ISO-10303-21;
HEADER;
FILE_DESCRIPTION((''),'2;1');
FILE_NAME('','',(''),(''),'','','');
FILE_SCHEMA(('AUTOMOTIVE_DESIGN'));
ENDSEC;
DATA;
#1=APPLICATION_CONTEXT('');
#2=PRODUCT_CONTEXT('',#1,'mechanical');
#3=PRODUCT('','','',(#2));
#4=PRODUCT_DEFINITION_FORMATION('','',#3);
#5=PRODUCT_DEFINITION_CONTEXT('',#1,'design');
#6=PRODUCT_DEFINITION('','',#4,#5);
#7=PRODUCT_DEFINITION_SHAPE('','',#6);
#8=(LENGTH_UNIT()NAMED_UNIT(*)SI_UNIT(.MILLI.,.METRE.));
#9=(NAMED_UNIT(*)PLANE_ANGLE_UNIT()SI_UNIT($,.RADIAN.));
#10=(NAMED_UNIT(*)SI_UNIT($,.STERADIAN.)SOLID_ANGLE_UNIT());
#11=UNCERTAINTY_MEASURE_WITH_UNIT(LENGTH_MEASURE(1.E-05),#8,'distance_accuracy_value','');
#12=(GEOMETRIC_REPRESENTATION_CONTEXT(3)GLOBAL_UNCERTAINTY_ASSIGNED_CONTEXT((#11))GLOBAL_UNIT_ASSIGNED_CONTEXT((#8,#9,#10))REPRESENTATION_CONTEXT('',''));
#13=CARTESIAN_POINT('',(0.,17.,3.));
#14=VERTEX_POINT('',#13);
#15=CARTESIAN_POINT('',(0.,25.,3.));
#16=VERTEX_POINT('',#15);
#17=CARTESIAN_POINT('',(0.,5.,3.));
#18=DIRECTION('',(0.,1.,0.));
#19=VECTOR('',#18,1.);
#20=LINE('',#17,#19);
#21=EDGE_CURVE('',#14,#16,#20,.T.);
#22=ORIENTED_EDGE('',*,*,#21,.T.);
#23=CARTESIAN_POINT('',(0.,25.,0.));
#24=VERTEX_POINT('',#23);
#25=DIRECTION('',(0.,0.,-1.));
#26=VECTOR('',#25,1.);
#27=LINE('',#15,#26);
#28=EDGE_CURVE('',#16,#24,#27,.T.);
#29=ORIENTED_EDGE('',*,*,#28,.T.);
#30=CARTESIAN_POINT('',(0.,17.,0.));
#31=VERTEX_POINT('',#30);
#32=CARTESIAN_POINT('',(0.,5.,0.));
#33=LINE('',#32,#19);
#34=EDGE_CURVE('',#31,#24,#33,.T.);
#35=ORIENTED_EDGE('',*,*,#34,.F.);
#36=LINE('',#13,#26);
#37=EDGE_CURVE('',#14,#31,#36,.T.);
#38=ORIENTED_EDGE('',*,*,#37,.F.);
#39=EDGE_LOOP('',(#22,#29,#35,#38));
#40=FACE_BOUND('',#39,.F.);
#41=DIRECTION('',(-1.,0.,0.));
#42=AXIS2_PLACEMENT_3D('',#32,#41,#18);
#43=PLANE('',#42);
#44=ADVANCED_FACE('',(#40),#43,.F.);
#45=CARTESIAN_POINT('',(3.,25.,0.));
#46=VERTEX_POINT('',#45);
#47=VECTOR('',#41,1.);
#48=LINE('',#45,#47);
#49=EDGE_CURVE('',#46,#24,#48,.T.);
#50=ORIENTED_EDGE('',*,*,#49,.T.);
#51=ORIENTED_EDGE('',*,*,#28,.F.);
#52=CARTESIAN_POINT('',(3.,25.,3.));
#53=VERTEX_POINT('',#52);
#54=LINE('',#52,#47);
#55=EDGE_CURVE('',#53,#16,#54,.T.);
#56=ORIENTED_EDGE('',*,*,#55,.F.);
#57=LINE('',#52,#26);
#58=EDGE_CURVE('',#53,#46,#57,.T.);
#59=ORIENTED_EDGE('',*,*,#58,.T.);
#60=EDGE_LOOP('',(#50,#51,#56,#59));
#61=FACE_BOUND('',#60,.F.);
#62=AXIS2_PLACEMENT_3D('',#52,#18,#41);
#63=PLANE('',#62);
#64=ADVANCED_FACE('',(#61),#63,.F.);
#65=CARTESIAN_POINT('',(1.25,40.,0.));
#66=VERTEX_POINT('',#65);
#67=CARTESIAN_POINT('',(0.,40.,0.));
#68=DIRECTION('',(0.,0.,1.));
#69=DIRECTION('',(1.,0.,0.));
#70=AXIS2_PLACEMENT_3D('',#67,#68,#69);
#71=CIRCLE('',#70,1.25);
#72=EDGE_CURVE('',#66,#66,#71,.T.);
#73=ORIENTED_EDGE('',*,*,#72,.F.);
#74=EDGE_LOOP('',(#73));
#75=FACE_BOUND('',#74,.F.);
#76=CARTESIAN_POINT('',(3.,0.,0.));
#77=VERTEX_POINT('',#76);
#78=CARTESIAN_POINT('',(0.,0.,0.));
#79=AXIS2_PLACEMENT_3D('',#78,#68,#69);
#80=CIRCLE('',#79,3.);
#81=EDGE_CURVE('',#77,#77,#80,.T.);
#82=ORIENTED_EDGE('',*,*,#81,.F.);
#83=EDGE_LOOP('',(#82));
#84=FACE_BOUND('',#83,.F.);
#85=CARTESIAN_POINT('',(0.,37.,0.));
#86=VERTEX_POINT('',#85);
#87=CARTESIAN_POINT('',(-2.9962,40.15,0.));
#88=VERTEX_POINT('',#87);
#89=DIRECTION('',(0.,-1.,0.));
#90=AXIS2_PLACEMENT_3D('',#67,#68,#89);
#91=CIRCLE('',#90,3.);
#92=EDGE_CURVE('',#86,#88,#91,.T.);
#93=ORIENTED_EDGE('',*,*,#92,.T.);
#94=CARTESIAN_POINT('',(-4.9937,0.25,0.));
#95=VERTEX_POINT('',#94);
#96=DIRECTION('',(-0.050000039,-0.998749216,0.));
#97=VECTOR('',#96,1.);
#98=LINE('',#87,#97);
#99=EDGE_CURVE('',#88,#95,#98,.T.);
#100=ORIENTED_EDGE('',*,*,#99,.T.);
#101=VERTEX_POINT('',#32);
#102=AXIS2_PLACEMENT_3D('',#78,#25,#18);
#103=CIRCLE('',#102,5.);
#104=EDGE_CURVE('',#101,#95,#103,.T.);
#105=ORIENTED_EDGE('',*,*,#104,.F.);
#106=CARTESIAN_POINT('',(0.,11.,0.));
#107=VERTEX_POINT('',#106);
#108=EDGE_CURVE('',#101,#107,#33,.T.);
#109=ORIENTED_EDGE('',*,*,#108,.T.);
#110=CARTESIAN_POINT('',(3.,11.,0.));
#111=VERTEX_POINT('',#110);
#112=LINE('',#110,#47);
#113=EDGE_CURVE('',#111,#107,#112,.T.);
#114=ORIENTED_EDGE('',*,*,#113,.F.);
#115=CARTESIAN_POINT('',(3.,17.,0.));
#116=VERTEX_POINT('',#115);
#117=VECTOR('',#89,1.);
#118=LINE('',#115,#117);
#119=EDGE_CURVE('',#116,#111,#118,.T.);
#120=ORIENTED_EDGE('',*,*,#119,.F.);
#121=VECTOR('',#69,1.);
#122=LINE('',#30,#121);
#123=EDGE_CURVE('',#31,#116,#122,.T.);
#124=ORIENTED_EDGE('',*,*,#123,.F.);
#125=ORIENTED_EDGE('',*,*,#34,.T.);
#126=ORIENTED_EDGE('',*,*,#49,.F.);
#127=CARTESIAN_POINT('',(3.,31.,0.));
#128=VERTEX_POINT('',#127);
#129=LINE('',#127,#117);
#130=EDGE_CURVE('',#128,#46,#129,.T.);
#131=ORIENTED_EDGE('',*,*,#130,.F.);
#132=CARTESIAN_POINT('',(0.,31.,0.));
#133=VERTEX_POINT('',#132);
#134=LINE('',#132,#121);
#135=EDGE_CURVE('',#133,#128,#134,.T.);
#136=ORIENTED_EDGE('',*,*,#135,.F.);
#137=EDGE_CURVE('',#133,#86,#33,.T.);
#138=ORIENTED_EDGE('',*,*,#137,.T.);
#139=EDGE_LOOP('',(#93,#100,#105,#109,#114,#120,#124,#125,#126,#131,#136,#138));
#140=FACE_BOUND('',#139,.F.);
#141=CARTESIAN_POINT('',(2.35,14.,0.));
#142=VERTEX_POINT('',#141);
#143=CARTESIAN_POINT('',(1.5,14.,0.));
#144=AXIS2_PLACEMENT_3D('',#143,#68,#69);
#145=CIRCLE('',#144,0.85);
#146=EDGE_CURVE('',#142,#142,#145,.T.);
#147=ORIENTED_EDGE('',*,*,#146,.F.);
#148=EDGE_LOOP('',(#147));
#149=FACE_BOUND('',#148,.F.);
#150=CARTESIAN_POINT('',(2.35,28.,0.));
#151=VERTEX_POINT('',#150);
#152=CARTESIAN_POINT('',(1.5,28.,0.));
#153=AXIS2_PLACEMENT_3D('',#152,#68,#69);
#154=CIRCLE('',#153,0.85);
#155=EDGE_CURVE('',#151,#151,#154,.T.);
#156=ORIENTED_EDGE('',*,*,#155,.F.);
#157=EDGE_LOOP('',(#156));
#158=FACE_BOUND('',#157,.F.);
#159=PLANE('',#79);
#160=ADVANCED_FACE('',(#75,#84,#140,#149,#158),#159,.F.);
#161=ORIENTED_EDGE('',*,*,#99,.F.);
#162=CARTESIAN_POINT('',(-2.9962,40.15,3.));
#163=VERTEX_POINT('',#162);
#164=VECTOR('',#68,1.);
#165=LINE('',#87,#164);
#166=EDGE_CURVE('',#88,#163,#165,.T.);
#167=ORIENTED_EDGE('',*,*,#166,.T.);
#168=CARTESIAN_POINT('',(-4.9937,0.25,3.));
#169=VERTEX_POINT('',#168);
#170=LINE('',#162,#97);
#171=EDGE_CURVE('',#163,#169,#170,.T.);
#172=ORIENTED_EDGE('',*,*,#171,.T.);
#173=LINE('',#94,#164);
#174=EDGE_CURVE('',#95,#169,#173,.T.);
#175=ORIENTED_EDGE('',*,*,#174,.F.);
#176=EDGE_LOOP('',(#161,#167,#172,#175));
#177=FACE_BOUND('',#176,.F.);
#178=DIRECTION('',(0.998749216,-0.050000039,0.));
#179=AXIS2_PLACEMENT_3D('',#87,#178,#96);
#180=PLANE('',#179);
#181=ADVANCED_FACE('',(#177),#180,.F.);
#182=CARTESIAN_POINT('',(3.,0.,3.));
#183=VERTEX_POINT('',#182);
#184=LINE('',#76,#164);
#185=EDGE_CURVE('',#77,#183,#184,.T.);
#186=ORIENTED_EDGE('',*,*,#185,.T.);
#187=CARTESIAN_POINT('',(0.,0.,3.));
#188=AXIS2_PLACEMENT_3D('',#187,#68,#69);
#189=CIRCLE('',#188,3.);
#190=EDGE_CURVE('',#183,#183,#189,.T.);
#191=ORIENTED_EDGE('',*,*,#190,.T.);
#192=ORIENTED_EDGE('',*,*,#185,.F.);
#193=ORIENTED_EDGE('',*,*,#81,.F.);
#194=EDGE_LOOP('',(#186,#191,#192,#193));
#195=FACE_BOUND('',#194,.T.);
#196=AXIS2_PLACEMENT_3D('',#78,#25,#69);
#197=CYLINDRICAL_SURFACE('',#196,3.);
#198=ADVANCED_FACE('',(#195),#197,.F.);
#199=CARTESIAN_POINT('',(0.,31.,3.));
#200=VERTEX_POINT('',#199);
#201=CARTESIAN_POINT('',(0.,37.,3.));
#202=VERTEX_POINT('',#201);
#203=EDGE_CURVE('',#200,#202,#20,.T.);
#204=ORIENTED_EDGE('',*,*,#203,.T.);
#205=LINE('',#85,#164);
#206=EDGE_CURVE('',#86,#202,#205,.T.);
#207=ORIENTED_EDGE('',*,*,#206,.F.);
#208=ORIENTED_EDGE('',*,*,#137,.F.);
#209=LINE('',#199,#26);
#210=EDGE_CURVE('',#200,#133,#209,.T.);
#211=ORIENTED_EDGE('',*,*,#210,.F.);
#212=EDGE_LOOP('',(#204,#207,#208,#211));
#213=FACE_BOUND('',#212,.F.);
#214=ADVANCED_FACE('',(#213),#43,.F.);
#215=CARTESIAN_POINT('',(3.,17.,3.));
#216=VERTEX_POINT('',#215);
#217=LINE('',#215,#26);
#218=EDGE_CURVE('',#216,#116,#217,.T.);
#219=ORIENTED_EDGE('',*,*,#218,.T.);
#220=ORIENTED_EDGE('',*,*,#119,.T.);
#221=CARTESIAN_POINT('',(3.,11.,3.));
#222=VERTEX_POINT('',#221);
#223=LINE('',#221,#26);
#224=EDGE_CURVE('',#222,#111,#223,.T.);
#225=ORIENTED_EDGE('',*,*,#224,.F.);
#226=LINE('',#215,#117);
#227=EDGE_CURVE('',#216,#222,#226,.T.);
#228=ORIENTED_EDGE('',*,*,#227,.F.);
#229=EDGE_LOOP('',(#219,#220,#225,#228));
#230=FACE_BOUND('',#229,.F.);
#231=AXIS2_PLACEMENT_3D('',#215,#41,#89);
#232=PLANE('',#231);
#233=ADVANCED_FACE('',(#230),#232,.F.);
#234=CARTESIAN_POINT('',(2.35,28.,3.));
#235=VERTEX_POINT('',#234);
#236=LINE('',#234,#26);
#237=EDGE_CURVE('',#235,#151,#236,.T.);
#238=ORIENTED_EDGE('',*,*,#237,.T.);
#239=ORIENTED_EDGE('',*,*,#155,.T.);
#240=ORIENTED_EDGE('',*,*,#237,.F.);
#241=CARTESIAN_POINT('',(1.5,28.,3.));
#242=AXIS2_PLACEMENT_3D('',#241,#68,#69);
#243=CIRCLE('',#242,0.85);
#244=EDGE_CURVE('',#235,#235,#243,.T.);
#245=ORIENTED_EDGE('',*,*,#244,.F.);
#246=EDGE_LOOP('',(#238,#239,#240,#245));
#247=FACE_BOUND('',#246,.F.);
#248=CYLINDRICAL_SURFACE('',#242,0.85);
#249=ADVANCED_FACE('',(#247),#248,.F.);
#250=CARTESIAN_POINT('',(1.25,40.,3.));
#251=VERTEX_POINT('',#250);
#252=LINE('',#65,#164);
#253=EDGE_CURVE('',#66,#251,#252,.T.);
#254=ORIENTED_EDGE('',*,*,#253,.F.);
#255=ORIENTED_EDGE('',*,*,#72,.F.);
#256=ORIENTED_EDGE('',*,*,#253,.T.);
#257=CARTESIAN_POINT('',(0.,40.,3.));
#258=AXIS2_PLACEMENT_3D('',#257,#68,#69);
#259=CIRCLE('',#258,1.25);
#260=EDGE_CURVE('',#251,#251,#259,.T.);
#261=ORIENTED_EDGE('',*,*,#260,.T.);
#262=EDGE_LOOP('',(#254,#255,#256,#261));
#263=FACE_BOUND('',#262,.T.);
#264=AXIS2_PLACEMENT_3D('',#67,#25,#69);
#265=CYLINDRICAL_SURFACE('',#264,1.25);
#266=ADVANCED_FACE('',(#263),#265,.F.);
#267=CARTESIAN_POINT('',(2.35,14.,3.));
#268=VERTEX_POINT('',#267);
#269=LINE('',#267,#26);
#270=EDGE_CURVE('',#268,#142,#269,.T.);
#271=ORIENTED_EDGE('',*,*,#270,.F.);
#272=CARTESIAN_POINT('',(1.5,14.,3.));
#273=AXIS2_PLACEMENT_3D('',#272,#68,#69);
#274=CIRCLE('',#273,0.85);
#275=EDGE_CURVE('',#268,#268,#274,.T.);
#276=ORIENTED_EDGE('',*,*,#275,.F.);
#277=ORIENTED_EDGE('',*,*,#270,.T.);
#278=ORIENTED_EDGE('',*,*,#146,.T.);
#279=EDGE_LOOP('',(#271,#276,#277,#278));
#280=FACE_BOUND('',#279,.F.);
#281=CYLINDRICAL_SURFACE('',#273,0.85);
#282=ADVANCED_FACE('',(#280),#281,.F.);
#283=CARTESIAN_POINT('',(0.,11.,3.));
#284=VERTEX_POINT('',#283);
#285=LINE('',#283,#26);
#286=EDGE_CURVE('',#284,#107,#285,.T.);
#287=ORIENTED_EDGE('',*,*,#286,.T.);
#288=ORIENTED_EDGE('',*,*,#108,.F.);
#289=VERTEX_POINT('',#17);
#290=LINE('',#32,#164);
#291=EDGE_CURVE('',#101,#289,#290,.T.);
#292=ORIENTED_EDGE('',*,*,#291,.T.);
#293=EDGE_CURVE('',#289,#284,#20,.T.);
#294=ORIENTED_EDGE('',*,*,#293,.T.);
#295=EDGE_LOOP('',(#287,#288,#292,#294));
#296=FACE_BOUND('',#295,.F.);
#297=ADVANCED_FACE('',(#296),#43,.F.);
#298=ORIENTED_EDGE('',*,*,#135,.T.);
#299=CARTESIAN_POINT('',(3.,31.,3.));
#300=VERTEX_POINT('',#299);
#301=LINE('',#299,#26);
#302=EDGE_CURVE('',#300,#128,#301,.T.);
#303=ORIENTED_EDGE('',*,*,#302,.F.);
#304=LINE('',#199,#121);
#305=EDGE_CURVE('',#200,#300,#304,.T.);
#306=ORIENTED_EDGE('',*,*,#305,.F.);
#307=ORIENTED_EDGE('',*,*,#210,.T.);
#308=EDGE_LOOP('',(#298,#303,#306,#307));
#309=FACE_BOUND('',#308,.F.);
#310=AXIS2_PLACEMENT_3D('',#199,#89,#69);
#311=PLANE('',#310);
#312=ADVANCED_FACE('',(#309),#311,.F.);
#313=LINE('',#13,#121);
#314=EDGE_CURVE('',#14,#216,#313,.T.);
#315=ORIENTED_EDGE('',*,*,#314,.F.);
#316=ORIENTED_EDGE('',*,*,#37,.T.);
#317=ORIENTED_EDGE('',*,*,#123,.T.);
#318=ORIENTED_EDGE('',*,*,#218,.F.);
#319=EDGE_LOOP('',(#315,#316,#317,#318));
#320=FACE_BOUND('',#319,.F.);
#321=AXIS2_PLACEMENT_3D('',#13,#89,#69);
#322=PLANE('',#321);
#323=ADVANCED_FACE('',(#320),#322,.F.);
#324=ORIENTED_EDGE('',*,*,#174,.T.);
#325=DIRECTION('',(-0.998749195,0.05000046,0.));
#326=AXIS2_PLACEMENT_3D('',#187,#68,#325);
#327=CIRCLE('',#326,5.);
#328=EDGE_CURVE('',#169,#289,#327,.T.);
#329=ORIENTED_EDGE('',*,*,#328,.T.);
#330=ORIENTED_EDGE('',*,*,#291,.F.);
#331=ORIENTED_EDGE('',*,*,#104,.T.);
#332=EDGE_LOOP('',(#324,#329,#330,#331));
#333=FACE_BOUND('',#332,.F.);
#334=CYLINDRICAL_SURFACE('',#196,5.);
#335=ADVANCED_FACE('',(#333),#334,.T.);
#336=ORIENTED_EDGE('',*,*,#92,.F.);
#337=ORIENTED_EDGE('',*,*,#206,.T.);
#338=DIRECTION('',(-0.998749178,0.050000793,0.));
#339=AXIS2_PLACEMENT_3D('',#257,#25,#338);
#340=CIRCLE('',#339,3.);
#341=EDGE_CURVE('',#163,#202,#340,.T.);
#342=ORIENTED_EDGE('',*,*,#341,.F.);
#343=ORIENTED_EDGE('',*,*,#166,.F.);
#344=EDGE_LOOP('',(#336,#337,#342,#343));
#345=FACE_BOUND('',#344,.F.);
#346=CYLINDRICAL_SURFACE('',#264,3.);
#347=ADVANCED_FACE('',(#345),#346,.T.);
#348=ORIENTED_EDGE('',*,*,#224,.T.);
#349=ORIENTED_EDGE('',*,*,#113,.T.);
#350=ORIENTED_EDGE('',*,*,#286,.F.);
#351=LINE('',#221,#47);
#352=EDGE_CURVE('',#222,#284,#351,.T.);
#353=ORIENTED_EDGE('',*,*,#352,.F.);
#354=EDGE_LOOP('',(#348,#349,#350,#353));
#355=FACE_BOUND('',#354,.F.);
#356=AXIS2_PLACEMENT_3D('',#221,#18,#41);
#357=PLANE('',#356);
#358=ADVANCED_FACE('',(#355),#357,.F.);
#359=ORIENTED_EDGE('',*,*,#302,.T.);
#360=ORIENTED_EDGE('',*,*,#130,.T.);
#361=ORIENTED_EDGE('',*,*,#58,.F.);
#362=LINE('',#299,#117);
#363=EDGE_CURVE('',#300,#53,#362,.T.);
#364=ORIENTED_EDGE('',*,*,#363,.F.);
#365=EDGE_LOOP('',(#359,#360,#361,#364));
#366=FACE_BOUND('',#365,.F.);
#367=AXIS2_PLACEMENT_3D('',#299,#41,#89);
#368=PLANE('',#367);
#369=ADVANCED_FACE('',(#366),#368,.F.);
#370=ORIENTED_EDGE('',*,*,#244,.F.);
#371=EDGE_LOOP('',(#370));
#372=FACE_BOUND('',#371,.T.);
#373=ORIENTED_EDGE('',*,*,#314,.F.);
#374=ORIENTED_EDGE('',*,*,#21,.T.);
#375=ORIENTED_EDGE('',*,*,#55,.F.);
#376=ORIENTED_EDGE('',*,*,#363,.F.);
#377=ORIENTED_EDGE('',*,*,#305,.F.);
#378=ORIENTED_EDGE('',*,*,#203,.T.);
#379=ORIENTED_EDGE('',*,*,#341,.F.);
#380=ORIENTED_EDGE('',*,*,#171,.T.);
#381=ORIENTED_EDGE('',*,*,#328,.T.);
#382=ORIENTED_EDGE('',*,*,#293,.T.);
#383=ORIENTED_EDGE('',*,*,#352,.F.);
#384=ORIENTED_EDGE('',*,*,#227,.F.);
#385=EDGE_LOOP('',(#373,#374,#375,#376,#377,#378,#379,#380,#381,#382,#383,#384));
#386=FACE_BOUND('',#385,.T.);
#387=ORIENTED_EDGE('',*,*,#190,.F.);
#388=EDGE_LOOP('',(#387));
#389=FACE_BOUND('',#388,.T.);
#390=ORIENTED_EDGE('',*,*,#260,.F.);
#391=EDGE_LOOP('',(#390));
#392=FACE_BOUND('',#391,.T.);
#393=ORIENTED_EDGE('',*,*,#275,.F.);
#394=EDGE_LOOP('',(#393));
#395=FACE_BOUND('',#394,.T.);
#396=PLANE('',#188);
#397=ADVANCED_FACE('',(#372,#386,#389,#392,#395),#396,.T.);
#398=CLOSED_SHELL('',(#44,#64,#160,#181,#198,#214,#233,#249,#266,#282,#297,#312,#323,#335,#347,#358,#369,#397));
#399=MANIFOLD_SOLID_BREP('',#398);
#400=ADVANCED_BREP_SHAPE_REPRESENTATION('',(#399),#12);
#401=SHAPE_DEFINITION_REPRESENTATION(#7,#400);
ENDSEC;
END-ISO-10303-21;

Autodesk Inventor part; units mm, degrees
ref_plane "YZ Plane" through (0, 0, 0) normal (1, 0, 0) x (0, 1, 0)
ref_plane "XZ Plane" through (0, 0, 0) normal (0, 1, 0) x (-1, 0, 0)
ref_plane "XY Plane" through (0, 0, 0) normal (0, 0, 1) x (1, 0, 0)
sketch "スケッチ1" plane through (0, 0, 0) normal (0, 0, 1) x (1, 0, 0)
  circle A0 centre (0, 0) radius 3
  circle A1 centre (0, 40) radius 1.25
  circle A2 centre (0, 40) radius 3
  circle A3 centre (0, 0) radius 5
  line L0 (0, 5) -> (0, 37)
  line L1 (-2.9962, 40.15) -> (-4.9937, 0.25)
  dimension "d0" = 6
  dimension "d1" = 2.5
  dimension "d2" = 40
  dimension "d3" = 6
  dimension "d4" = 10
extrude "押し出し1" add sketch "スケッチ1" along normal blind 3
sketch "スケッチ2" plane through (0, 0, 3) normal (0, 0, 1) x (1, 0, 0)
  circle A0 centre (0, 0) radius 3 projected
  circle A1 centre (0, 40) radius 1.25 projected
  arc A2 (0, 37) -> (-2.9962, 40.15) centre (0, 40) ccw projected
  line L0 (-2.9962, 40.15) -> (-4.9937, 0.25) projected
  arc A3 (-4.9937, 0.25) -> (0, 5) centre (0, 0) ccw projected
  line L1 (0, 5) -> (0, 37) projected
  circle A4 centre (0, 0) radius 3
  circle A5 centre (-32.1289, 23.8272) radius 1.25
  line L2 (-4.0161, 2.9784) -> (-4.827, 3.5798)
  arc A6 (-30.4645, 26.3232) -> (-29.7192, 22.0402) centre (-32.1289, 23.8272) ccw
  line L3 (-4.5534, 9.0458) -> (2.7739, 4.16)
  arc A7 (-4.0161, 2.9784) -> (2.7739, 4.16) centre (0, 0) ccw
extrude "押し出し2" [suppressed]
sketch "スケッチ4" plane through (0, 0, 3) normal (0, 0, 1) x (1, 0, 0)
  line L0 (-4.9937, 0.25) -> (-2.9962, 40.15) projected
  arc A0 (0, 37) -> (-2.9962, 40.15) centre (0, 40) ccw projected
  line L1 (0, 37) -> (0, 5) projected
  circle A1 centre (0, 40) radius 1.25 projected
  circle A2 centre (-27.9404, 11.376) radius 3
  circle A3 centre (0, 40) radius 1.25
  line L2 (-3.1661, 36.7564) -> (-2.0955, 37.8532)
  arc A4 (2.2489, 38.0144) -> (-2.0955, 37.8532) centre (0, 40) ccw
  line L3 (2.2489, 38.0144) -> (-3.4249, 31.5882)
  arc A5 (-24.4479, 14.954) -> (-24.1923, 8.0667) centre (-27.9404, 11.376) ccw
  circle A6 centre (0, 0) radius 3 projected
  arc A7 (-4.9937, 0.25) -> (0, 5) centre (0, 0) ccw projected
extrude "押し出し3" [suppressed]
sketch "スケッチ5" plane through (0, 0, 3) normal (0, 0, 1) x (1, 0, 0)
  circle A0 centre (0, 0) radius 3 projected
  circle A1 centre (0, 40) radius 1.25 projected
  arc A2 (0, 37) -> (-2.9962, 40.15) centre (0, 40) ccw projected
  line L0 (-2.9962, 40.15) -> (-4.9937, 0.25) projected
  arc A3 (-4.9937, 0.25) -> (0, 5) centre (0, 0) ccw projected
  line L1 (0, 5) -> (0, 37) projected
  line L2 (0, 31) -> (3, 31)
  line L3 (3, 31) -> (3, 25)
  line L4 (3, 25) -> (0, 25)
  line L5 (0, 17) -> (3, 17)
  line L6 (3, 17) -> (3, 11)
  line L7 (3, 11) -> (0, 11)
  circle A4 centre (1.5, 14) radius 0.85
  circle A5 centre (1.5, 28) radius 0.85
  point P0 (1.5, 31)
  point P1 (1.5, 17)
  point P2 (3, 28)
  point P3 (3, 14)
  dimension "d12" = 6
  dimension "d13" = 3
  dimension "d14" = 8
  dimension "d15" = 6
  dimension "d16" = 6
  dimension "d19" = 1.7
extrude "押し出し4" add sketch "スケッチ5" against normal blind 3 contours L2 L3 L4 L1 | L5 L6 L7 L1
equation "\"d15\" = d16"
properties part number "link1"
